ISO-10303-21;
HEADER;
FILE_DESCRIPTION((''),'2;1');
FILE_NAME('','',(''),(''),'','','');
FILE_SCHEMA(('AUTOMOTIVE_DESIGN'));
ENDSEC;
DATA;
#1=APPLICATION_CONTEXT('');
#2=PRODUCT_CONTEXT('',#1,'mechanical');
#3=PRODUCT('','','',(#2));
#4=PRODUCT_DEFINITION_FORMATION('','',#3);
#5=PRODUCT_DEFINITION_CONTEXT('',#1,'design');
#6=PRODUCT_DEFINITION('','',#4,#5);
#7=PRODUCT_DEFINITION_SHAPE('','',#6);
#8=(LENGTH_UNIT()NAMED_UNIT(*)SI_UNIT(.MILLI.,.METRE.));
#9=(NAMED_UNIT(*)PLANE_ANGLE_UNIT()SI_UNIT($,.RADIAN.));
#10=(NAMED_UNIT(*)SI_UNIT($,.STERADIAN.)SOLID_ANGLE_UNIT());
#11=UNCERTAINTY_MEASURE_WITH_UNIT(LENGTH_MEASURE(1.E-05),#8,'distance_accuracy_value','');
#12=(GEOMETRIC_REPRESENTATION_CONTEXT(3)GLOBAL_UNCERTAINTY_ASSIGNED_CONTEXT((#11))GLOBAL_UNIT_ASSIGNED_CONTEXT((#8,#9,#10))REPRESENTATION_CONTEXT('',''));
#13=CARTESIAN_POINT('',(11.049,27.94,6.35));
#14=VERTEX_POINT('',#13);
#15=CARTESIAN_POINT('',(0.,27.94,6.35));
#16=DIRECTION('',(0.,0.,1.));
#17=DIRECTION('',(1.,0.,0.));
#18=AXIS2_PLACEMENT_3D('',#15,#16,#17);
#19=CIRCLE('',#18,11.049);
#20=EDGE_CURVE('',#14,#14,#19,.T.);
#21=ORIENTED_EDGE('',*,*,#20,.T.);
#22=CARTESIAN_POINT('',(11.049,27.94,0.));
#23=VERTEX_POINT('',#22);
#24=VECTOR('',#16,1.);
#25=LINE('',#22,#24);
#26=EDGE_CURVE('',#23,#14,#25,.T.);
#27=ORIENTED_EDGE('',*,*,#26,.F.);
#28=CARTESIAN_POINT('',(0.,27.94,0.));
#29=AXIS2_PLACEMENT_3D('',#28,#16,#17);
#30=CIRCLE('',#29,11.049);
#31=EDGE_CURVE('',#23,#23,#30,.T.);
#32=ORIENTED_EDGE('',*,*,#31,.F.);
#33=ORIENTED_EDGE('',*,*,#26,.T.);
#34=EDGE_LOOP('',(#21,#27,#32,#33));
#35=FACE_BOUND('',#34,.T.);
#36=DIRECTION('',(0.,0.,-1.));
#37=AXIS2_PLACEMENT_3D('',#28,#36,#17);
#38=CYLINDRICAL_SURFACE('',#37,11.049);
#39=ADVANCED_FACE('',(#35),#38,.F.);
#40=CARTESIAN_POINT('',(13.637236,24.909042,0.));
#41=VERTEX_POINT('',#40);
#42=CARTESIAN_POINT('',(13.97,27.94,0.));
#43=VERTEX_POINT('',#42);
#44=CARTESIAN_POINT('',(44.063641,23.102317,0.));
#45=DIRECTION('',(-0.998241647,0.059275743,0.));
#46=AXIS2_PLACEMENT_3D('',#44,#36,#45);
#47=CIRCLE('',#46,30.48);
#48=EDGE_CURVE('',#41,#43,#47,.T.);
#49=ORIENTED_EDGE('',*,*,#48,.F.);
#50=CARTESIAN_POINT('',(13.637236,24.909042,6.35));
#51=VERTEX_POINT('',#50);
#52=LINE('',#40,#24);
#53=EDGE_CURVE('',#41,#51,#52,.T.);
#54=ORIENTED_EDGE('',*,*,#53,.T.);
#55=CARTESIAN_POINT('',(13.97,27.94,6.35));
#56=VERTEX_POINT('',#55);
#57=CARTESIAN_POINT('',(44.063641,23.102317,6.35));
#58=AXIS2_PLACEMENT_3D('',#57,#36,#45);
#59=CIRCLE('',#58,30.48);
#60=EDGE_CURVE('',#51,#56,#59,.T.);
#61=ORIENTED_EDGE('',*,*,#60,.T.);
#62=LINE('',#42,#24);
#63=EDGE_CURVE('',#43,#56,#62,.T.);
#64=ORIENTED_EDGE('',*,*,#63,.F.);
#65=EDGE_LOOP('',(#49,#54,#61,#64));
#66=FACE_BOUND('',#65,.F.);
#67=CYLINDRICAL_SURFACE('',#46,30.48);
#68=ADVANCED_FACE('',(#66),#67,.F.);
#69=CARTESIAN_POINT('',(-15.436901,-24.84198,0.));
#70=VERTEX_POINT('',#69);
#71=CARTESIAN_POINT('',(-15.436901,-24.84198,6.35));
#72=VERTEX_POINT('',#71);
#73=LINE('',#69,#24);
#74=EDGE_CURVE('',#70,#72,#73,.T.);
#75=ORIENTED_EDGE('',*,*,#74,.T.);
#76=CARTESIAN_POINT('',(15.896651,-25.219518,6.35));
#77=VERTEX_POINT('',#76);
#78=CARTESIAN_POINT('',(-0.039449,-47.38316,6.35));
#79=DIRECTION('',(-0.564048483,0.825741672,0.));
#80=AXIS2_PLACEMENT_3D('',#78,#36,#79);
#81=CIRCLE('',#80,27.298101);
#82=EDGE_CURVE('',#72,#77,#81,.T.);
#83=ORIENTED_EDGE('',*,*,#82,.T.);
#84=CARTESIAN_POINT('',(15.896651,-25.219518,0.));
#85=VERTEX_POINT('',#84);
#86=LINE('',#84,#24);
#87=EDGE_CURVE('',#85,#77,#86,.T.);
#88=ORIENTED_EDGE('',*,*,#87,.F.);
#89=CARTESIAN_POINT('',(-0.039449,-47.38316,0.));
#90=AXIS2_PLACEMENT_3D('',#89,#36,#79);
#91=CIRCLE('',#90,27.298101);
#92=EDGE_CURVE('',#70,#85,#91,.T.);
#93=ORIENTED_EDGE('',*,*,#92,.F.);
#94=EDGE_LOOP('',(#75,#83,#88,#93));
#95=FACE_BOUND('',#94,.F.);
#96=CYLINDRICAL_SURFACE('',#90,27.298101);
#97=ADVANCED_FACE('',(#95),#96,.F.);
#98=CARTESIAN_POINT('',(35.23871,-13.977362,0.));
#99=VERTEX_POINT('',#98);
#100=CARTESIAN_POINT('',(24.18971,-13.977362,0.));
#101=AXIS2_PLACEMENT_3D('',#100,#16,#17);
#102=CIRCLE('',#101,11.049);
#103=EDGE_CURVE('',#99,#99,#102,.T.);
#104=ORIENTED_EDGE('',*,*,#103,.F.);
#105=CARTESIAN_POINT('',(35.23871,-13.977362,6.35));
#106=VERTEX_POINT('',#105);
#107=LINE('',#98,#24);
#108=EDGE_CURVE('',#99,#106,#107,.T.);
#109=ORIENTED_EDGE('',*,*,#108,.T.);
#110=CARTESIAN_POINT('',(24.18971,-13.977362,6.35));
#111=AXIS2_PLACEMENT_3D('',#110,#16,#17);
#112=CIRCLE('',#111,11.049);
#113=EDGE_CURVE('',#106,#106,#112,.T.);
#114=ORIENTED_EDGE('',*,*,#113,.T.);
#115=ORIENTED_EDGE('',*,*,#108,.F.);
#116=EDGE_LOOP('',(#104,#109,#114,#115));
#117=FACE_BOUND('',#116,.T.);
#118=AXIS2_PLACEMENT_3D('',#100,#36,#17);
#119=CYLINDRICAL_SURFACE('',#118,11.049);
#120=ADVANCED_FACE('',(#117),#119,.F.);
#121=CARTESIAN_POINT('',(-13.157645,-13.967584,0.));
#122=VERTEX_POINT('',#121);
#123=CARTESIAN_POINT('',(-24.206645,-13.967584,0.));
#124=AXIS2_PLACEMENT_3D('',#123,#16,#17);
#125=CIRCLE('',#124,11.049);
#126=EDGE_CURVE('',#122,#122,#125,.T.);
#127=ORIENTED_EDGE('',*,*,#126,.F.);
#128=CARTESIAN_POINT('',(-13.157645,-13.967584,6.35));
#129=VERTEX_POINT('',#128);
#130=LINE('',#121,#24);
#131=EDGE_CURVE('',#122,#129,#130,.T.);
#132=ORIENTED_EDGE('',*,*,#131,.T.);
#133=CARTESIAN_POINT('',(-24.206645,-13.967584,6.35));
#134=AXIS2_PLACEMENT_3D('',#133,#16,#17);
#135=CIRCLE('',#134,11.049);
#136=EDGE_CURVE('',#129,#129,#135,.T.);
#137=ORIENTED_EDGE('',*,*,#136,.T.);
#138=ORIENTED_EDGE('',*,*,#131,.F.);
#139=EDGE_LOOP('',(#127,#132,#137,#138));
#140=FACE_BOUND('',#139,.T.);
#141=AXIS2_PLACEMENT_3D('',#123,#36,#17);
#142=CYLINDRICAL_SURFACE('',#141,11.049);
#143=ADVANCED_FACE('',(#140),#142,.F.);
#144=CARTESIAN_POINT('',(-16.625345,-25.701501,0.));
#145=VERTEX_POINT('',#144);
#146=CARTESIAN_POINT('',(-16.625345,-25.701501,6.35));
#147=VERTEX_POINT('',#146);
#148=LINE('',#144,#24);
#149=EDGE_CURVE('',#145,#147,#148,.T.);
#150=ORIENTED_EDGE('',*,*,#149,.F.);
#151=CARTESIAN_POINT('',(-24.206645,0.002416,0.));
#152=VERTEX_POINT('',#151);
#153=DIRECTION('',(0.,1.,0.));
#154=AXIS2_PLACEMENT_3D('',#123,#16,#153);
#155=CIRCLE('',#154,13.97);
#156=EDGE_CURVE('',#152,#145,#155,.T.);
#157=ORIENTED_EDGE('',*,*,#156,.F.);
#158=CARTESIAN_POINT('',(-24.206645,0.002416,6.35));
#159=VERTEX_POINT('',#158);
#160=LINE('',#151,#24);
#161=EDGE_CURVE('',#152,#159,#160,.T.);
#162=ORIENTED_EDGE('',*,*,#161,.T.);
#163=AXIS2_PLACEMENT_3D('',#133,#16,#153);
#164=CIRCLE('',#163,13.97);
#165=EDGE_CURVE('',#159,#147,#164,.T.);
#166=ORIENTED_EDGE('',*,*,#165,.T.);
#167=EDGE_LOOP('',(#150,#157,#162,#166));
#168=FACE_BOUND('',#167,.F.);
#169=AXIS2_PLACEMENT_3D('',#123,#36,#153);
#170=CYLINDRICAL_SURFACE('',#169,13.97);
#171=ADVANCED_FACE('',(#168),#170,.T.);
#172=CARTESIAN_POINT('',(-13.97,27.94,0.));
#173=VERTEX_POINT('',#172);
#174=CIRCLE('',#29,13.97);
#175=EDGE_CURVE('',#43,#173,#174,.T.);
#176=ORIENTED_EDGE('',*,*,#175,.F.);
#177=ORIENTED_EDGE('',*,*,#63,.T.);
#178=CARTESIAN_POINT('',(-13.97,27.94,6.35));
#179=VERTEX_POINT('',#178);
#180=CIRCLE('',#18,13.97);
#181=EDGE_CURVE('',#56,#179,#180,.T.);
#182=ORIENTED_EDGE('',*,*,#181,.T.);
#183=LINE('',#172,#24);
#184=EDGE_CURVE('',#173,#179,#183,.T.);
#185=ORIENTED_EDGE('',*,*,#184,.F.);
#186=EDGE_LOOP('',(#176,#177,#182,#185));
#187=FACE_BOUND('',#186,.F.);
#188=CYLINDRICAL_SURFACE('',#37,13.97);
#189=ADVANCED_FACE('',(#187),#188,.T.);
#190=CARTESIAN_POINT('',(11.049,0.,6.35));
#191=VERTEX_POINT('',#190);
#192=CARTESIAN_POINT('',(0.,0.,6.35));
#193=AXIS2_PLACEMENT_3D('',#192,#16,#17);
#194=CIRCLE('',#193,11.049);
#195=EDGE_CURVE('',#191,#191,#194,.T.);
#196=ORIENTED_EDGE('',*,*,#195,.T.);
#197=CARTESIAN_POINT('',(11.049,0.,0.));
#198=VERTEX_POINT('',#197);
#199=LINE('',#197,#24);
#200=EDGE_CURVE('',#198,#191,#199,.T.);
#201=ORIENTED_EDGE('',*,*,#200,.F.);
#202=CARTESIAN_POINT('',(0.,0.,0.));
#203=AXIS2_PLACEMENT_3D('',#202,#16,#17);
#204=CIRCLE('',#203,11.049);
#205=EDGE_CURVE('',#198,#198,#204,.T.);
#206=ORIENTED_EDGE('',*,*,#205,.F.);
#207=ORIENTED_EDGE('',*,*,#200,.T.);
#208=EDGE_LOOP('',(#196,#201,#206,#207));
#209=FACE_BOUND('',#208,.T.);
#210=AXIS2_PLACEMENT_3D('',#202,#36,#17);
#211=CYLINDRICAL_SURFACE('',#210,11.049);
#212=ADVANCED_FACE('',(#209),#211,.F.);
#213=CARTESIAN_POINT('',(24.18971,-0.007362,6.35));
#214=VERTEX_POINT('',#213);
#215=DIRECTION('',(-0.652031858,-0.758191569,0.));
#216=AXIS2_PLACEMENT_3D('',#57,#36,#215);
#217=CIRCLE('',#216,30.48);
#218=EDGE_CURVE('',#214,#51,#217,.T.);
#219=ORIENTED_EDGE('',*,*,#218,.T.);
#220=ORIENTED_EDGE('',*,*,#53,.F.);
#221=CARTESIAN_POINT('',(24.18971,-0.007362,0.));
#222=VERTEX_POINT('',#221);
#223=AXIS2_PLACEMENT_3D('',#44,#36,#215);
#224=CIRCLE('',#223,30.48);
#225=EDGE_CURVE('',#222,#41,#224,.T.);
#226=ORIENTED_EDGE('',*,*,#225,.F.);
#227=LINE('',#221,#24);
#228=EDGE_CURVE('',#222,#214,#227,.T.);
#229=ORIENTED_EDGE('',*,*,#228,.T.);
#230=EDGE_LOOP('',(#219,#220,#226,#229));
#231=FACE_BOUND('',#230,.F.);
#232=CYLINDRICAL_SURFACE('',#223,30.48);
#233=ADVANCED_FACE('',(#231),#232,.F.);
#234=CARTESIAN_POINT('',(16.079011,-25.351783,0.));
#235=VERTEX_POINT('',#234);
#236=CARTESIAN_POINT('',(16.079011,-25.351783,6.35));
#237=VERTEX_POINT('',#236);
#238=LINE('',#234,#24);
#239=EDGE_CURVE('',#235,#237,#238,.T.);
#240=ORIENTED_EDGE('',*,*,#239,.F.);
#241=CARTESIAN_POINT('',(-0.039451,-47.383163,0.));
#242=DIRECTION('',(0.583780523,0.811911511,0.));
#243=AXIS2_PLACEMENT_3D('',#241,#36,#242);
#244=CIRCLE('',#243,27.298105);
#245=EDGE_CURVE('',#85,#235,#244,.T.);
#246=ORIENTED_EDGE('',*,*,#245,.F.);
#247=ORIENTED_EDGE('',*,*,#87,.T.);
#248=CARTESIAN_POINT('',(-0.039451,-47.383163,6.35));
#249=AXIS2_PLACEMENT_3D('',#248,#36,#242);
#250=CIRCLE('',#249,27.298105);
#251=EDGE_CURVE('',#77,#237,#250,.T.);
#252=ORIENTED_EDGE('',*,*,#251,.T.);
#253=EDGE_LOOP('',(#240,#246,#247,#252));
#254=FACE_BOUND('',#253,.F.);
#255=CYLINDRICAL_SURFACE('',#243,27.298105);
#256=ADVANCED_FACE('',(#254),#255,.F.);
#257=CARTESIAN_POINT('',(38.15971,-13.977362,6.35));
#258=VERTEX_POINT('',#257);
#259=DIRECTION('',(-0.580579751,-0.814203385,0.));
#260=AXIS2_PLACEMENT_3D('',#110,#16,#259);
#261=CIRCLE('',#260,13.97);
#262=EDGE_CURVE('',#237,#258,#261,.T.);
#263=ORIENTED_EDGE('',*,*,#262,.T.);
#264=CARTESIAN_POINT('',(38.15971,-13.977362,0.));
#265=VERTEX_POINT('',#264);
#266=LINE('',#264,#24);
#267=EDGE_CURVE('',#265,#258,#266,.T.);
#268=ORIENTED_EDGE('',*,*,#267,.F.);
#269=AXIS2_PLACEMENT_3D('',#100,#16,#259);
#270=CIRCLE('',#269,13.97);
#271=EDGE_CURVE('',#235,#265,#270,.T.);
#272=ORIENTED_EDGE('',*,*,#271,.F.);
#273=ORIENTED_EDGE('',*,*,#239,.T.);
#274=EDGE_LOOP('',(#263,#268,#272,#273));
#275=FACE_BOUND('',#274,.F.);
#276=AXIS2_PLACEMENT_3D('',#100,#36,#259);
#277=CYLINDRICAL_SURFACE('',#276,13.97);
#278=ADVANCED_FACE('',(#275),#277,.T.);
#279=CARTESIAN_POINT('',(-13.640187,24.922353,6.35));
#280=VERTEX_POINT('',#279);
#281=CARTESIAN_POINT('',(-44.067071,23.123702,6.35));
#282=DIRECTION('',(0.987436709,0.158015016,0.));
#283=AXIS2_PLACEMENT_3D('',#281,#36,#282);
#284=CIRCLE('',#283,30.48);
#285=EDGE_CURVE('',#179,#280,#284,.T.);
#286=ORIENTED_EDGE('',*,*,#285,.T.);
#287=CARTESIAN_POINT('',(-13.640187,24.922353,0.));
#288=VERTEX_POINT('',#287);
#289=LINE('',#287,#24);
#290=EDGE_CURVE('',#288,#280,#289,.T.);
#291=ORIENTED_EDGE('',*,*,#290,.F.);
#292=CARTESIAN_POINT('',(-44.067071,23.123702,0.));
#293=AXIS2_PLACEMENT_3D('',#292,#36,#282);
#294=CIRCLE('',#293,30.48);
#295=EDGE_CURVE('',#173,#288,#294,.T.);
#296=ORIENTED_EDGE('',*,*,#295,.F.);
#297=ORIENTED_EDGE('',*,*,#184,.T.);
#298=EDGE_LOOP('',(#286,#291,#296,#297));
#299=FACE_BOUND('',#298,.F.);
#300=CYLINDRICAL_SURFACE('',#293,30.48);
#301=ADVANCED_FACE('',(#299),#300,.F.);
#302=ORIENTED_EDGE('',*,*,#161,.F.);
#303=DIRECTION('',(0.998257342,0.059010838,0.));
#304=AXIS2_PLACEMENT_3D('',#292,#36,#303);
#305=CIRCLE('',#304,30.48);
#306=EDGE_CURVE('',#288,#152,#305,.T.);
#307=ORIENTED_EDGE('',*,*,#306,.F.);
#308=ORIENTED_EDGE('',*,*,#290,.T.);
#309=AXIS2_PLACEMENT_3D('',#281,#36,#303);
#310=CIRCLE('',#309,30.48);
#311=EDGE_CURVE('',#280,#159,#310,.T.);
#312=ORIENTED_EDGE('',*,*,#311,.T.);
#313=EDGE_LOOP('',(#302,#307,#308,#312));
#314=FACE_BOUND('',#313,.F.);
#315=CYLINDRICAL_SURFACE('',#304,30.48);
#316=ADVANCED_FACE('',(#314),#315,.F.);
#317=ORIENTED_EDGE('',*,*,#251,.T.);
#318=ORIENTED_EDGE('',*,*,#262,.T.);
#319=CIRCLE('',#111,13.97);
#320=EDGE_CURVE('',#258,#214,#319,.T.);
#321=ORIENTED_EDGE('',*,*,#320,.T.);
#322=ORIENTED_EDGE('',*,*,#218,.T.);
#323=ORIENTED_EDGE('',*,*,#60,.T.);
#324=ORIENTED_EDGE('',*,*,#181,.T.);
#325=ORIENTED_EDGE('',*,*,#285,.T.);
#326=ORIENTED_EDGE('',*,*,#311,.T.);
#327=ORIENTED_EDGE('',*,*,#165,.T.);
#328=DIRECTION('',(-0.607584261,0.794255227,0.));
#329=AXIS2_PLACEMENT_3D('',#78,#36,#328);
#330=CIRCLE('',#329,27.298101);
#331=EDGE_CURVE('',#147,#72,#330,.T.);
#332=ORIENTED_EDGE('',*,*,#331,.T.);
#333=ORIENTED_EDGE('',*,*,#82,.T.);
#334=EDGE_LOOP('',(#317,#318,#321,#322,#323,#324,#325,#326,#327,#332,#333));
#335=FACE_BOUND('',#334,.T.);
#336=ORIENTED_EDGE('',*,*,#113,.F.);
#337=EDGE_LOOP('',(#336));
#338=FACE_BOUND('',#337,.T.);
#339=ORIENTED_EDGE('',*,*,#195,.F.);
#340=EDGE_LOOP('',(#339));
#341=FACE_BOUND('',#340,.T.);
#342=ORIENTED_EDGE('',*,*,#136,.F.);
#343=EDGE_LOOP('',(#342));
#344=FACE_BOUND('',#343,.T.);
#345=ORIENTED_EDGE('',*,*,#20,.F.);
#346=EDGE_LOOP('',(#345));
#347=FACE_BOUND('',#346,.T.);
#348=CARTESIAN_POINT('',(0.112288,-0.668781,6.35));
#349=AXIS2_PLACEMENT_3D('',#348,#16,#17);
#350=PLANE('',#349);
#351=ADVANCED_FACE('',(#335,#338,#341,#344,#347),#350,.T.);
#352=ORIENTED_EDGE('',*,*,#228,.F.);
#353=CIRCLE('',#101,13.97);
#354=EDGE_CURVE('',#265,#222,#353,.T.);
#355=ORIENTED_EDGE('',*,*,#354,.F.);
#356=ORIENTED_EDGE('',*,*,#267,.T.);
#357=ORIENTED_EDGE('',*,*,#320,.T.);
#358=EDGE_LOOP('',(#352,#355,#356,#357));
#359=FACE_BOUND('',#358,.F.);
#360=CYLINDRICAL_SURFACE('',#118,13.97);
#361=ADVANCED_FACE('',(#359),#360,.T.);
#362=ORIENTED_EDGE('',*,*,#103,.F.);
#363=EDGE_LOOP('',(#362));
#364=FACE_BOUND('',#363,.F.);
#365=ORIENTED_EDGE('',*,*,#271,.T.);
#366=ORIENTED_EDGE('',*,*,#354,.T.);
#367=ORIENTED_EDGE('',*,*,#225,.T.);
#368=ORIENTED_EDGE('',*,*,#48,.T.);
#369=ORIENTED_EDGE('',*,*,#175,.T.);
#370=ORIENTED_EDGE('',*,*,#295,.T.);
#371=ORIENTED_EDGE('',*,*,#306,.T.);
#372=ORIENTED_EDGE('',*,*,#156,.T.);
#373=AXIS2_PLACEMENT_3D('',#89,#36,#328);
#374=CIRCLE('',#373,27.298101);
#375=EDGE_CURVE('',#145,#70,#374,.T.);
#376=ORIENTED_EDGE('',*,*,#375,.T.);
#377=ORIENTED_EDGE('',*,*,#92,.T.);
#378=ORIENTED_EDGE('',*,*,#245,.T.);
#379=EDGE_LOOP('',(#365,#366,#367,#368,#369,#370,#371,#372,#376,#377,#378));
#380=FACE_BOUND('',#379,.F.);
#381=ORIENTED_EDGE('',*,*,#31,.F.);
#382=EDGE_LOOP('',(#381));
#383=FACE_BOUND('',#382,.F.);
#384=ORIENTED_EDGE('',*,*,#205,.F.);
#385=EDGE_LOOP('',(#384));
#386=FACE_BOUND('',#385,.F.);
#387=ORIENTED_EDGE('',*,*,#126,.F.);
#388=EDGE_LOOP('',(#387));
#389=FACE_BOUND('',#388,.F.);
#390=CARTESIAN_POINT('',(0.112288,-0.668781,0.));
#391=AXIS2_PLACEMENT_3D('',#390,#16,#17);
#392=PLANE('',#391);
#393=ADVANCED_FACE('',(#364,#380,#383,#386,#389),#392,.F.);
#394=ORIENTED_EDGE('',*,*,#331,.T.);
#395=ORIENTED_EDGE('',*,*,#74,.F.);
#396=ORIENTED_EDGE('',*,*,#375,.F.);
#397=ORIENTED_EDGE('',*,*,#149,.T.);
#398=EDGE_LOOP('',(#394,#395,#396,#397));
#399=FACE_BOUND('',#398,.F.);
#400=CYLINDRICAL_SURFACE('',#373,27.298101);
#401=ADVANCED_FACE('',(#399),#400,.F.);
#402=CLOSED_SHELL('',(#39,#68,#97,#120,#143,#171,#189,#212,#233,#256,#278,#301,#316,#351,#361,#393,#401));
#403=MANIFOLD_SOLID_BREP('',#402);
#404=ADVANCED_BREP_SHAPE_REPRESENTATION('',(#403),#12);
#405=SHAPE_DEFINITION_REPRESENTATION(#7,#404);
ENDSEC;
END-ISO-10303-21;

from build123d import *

# Parameters (mm, degrees)
F0_R     = 11.049
F1_DEPTH = 6.35


with BuildPart() as f1:
    # F0 (on Top) → F1 (new body)
    with BuildSketch(Plane.XY):
        with BuildLine():
            ThreePointArc((24.1897099326, -0.0073616562), (15.9969747128, 11.215659094), (13.6372355628, 24.909042032))
            ThreePointArc((13.6372355628, 24.909042032), (-0.0068169573, 13.9700016632), (-13.6401871082, 24.9223526296))
            ThreePointArc((-13.6401871082, 24.9223526296), (-16.005456745, 11.2251220811), (-24.2066450876, 0.00241586))
            ThreePointArc((-24.2066450876, 0.00241586), (-14.3283633544, -4.0893024068), (-10.2366450876, -13.96758414))
            ThreePointArc((-10.2366450876, -13.96758414), (-11.6035855434, -19.9945062505), (-15.4369013691, -24.8419804502))
            ThreePointArc((-15.4369013691, -24.8419804502), (0.2894413219, -20.0870403352), (15.8966507841, -25.2195175864))
            ThreePointArc((15.8966507841, -25.2195175864), (10.9191820919, -9.6122739335), (24.1897099326, -0.0073616562))
        make_face()
        Circle(F0_R, mode=Mode.SUBTRACT)
        with BuildLine():
            ThreePointArc((-10.2366450876, -13.96758414), (-14.3283633544, -4.0893024068), (-24.2066450876, 0.00241586))
            ThreePointArc((-24.2066450876, 0.00241586), (-37.6059680769, -17.9196776899), (-16.6253454512, -25.7015006142))
            ThreePointArc((-16.6253454512, -25.7015006142), (-16.0368970517, -25.263757415), (-15.4369013691, -24.8419804502))
            ThreePointArc((-15.4369013691, -24.8419804502), (-11.6035855434, -19.9945062505), (-10.2366450876, -13.96758414))
        make_face()
        with Locations((-24.2066450876, -13.96758414)):
            Circle(F0_R, mode=Mode.SUBTRACT)
        with BuildLine():
            ThreePointArc((38.1597099326, -13.9773616562), (34.0679916658, -4.0990799231), (24.1897099326, -0.0073616562))
            ThreePointArc((24.1897099326, -0.0073616562), (10.9191820919, -9.6122739335), (15.8966507841, -25.2195175864))
            ThreePointArc((15.8966507841, -25.2195175864), (15.9879672376, -25.285462153), (16.0790108119, -25.3517829502))
            ThreePointArc((16.0790108119, -25.3517829502), (30.5871482201, -26.396447104), (38.1597099326, -13.9773616562))
        make_face()
        with Locations((24.1897099326, -13.9773616562)):
            Circle(F0_R, mode=Mode.SUBTRACT)
        with BuildLine():
            ThreePointArc((13.6372355628, 24.909042032), (13.7656925258, 26.4286847743), (13.97, 27.94))
            ThreePointArc((13.97, 27.94), (0, 41.91), (-13.97, 27.94))
            ThreePointArc((-13.97, 27.94), (-13.7675028866, 26.4352847759), (-13.6401871082, 24.9223526296))
            ThreePointArc((-13.6401871082, 24.9223526296), (-0.0068169573, 13.9700016632), (13.6372355628, 24.909042032))
        make_face()
        with Locations((0, 27.94)):
            Circle(F0_R, mode=Mode.SUBTRACT)
    extrude(amount=F1_DEPTH)


solid = f1.part
